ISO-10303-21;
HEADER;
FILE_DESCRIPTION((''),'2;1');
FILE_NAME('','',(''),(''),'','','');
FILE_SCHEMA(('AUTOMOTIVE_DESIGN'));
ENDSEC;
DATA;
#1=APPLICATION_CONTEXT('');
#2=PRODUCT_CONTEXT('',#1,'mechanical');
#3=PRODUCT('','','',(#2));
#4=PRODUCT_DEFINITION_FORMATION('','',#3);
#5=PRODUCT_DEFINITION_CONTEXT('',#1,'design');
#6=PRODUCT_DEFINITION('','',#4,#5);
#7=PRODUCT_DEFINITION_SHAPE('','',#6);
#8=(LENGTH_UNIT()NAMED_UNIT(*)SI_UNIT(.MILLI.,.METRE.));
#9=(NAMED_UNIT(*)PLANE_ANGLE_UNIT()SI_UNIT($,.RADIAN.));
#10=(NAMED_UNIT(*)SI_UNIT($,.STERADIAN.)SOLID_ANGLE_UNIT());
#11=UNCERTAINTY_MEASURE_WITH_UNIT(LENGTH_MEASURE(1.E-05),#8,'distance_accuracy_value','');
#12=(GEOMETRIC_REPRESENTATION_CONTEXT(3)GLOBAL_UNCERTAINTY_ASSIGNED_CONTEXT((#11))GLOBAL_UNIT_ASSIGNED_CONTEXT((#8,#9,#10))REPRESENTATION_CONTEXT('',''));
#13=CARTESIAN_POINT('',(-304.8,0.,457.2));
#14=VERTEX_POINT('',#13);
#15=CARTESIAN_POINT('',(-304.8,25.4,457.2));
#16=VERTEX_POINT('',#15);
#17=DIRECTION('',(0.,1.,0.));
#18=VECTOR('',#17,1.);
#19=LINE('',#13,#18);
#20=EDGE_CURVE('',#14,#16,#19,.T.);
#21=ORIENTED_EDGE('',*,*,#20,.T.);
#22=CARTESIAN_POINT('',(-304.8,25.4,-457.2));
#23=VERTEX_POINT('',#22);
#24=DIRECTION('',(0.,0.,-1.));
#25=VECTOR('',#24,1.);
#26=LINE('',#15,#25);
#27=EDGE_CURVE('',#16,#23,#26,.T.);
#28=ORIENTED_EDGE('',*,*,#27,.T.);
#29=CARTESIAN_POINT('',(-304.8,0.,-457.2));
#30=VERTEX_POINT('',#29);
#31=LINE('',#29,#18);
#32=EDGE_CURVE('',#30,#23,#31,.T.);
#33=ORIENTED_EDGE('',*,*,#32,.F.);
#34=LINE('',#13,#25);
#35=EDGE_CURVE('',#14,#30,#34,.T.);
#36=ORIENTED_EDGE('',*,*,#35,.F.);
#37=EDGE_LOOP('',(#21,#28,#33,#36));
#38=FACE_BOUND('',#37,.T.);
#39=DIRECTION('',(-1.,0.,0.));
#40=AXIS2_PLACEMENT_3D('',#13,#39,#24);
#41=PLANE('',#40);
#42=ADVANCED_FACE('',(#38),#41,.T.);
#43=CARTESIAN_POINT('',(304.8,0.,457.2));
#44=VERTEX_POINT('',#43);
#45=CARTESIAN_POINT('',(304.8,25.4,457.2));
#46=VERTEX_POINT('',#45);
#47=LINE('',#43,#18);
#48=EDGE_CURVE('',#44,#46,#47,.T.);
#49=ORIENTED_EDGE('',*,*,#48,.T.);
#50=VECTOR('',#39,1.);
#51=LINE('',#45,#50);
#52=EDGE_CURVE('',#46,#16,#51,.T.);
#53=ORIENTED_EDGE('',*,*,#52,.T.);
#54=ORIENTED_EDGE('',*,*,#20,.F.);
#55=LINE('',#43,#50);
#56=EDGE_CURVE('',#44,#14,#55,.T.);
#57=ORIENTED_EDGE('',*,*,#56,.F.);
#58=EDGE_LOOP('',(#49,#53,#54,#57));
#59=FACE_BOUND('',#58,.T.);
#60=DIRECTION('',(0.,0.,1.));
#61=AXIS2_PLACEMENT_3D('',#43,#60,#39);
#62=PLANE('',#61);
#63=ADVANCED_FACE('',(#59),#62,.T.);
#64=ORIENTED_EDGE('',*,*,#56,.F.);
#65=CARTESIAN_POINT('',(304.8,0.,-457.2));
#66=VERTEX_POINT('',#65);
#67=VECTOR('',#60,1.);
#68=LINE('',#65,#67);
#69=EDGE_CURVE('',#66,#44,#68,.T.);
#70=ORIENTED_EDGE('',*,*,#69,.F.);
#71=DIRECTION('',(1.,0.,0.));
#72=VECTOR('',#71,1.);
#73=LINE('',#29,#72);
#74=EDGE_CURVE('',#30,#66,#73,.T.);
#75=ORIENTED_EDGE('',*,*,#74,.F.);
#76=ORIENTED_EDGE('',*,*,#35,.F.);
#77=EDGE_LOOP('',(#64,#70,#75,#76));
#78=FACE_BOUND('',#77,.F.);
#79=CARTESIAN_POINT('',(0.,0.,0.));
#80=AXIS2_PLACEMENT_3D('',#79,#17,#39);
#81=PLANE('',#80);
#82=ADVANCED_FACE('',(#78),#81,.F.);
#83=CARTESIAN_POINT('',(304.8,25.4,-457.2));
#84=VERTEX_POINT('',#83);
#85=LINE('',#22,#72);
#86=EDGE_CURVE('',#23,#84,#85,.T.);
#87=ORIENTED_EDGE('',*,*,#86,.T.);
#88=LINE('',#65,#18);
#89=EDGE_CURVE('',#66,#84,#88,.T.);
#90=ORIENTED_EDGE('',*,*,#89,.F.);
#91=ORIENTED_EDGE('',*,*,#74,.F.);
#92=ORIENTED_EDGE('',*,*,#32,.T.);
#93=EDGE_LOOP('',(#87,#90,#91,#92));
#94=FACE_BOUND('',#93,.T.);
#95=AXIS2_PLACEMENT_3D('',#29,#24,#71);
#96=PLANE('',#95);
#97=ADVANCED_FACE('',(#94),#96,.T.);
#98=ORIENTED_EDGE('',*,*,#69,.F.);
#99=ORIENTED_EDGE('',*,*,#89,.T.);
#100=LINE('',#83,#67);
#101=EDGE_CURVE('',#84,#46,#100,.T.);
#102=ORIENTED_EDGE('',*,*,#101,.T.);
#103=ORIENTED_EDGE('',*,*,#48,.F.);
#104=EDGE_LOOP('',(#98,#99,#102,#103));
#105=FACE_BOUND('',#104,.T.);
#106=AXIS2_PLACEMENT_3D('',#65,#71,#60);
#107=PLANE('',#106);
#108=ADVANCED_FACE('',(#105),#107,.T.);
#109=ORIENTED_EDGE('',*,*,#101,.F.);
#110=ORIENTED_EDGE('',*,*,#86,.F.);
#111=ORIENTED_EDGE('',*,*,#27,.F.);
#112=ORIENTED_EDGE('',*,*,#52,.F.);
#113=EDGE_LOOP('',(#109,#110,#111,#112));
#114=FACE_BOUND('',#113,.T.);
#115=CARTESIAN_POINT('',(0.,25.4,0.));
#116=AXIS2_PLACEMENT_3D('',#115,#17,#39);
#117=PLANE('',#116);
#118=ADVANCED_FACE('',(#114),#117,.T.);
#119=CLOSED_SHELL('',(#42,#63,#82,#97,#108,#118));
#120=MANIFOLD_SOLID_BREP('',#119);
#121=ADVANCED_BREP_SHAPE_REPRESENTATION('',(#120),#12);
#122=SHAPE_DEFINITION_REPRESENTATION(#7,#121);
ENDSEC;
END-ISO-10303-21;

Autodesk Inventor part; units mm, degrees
ref_plane "YZ Plane" through (0, 0, 0) normal (1, 0, 0) x (0, 1, 0)
ref_plane "XZ Plane" through (0, 0, 0) normal (0, 1, 0) x (-1, 0, 0)
ref_plane "XY Plane" through (0, 0, 0) normal (0, 0, 1) x (1, 0, 0)
sketch "Sketch1" plane through (0, 0, 0) normal (0, 1, 0) x (-1, 0, 0)
  line L0 (-304.8, 457.2) -> (304.8, 457.2)
  line L1 (304.8, 457.2) -> (304.8, -457.2)
  line L2 (304.8, -457.2) -> (-304.8, -457.2)
  line L3 (-304.8, -457.2) -> (-304.8, 457.2)
  line L4 (-304.8, 457.2) -> (304.8, -457.2) construction
  line L5 (304.8, 457.2) -> (-304.8, -457.2) construction
  point P0 (0, 0)
  dimension "d0" = 609.6
  dimension "d1" = 914.4
extrude "Extrusion1" add sketch "Sketch1" along normal blind 25.4
properties part number "plywood" material "Plywood, Finish"
